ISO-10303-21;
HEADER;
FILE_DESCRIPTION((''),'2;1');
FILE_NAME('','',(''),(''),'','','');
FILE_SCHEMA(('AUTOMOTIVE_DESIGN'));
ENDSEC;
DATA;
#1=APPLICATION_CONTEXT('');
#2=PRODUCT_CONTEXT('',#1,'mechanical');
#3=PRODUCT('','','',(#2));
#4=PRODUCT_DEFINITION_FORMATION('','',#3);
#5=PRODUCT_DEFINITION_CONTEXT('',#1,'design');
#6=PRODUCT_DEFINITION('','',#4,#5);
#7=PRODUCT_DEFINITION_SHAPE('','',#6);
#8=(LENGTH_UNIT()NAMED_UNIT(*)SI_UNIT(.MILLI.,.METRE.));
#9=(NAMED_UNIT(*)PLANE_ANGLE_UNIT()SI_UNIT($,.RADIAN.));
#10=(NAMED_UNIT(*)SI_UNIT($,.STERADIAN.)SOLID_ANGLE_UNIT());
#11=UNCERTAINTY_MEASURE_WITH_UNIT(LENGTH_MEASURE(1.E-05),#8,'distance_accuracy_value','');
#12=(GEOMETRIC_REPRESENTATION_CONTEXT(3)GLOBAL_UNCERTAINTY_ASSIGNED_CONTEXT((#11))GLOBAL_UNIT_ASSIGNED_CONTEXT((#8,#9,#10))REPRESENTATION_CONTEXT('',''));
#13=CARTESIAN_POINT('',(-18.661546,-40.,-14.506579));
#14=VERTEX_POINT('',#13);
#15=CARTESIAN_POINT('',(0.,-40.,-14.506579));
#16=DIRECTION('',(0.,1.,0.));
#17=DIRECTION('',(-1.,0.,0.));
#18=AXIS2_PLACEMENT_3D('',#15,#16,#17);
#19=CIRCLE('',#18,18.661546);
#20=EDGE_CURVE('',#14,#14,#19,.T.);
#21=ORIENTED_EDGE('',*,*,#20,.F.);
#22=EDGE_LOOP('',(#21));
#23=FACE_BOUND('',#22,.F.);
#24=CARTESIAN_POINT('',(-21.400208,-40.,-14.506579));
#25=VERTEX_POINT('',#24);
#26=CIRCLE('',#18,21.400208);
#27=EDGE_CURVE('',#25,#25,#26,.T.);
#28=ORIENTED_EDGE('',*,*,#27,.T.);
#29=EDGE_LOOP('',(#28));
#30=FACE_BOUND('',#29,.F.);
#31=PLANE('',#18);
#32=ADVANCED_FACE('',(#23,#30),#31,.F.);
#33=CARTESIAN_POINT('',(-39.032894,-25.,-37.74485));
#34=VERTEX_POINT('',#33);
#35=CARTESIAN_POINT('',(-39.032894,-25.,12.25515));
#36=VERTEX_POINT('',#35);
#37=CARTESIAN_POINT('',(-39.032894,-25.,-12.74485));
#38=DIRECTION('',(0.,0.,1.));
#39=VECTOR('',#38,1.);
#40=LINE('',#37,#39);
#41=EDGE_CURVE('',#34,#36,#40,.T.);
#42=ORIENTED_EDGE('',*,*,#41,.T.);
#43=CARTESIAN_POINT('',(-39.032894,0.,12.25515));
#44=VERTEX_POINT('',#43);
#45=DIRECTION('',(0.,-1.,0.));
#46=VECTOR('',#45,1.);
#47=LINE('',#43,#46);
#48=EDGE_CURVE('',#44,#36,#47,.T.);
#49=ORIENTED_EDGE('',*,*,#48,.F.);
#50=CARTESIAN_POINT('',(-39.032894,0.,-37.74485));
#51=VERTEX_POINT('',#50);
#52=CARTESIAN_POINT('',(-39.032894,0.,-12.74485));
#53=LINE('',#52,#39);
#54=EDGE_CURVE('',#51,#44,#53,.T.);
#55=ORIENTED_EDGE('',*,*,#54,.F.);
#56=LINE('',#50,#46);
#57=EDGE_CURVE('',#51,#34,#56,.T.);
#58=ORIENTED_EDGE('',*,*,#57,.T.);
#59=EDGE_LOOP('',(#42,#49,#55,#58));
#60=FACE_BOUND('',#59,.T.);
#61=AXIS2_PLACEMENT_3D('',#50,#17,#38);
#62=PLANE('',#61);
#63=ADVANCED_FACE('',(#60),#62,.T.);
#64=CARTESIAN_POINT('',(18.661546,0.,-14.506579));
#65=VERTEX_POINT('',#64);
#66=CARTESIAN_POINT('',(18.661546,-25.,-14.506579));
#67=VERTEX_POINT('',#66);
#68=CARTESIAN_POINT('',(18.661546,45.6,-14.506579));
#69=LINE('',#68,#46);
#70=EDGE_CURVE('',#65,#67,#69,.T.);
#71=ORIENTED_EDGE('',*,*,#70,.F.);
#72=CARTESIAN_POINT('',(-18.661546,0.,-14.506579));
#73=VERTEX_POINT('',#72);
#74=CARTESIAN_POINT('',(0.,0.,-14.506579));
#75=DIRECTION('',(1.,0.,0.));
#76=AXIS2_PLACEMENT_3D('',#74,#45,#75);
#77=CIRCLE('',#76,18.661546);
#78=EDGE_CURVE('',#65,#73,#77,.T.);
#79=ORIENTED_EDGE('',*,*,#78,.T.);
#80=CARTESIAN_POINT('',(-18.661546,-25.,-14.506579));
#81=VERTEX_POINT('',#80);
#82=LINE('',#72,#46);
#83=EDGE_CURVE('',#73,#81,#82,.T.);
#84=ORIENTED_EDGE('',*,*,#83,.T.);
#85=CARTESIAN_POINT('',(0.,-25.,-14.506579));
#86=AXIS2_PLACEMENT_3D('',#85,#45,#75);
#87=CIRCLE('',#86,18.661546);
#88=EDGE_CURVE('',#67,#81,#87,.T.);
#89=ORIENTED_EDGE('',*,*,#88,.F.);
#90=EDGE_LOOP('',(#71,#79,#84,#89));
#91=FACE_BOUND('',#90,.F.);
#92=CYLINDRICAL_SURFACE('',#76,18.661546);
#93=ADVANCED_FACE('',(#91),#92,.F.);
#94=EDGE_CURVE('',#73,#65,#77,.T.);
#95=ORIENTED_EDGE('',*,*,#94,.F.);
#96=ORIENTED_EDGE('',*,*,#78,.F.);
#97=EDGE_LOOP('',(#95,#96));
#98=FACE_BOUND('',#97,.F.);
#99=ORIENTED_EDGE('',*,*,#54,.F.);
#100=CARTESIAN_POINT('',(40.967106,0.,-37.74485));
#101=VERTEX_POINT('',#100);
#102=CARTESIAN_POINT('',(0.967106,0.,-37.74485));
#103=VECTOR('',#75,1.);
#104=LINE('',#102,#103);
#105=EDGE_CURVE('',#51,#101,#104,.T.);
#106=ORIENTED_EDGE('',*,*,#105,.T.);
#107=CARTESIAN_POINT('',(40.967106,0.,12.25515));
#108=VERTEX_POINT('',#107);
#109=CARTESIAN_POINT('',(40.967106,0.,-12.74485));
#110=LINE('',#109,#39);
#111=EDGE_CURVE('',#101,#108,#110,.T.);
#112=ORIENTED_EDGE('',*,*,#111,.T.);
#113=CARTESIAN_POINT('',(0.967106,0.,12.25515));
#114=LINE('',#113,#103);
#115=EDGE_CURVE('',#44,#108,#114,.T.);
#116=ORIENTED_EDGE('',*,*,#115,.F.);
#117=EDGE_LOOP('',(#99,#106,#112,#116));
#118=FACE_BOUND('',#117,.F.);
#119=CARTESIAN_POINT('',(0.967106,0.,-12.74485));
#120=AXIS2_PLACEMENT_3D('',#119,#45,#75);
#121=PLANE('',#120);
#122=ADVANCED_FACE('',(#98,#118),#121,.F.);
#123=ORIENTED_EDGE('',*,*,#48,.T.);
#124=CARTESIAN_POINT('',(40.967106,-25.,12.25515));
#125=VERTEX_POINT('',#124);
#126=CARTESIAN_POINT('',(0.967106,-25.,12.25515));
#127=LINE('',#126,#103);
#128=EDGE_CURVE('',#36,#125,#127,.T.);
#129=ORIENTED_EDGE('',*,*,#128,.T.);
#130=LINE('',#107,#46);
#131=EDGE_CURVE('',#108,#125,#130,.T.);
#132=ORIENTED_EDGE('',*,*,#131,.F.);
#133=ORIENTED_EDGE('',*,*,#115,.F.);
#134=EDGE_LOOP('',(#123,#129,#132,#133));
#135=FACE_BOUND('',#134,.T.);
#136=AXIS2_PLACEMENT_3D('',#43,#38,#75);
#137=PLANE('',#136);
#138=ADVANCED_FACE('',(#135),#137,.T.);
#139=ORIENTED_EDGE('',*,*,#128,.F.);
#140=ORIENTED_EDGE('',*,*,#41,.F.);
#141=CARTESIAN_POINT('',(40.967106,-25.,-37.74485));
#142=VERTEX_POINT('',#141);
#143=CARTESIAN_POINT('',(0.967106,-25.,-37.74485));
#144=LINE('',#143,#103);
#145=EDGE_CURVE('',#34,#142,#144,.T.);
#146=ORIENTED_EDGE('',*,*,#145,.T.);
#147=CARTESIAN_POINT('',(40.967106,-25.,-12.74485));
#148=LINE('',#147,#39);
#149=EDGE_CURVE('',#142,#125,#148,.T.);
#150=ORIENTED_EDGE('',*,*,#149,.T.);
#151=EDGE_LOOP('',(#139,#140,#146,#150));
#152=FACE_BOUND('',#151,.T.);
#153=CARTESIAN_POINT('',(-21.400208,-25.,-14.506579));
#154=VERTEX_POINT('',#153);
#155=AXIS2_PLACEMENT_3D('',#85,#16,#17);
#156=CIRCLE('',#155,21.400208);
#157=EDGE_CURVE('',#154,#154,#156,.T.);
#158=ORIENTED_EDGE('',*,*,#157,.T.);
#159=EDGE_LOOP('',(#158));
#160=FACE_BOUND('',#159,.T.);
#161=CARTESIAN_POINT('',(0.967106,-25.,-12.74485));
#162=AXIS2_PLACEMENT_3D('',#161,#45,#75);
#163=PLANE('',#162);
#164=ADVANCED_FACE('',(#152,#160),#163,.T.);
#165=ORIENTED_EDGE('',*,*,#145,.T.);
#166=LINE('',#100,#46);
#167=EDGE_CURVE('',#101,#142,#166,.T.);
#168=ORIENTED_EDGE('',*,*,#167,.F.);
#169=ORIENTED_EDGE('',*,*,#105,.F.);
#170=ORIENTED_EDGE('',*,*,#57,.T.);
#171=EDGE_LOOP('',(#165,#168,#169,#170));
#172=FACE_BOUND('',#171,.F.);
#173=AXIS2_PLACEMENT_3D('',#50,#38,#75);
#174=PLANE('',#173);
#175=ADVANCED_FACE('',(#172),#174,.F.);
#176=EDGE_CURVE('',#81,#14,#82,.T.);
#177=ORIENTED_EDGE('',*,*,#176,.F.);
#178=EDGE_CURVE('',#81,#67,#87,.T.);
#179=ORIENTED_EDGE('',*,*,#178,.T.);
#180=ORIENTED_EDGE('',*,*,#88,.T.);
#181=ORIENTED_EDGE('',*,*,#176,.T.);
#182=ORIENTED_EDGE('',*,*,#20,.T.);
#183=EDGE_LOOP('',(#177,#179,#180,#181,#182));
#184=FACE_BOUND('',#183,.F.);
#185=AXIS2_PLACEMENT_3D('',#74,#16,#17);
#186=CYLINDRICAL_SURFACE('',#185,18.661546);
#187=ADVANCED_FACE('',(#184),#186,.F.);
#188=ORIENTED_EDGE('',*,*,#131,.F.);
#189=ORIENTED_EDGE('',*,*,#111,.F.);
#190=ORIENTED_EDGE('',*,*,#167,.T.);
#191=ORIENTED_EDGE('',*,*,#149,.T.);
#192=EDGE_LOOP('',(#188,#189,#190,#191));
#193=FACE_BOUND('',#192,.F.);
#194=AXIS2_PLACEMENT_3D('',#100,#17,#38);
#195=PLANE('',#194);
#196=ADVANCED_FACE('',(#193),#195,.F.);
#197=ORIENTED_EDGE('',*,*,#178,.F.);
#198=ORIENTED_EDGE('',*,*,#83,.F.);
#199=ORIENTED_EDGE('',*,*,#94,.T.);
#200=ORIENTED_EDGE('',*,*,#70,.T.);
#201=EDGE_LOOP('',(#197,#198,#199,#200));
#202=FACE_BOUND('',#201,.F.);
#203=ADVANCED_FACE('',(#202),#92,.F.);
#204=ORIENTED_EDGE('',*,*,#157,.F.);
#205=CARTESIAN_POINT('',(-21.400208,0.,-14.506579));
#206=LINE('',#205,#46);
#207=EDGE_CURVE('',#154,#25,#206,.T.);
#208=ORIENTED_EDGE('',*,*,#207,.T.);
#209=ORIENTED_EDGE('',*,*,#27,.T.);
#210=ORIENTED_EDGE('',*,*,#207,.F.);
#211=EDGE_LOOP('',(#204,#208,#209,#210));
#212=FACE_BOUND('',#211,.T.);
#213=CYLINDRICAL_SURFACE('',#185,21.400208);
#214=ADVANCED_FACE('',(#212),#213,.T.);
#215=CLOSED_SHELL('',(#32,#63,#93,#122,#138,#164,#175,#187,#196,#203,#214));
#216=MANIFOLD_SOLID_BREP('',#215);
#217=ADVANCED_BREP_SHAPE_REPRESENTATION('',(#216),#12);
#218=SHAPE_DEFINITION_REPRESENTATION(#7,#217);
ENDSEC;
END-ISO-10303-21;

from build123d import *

# Parameters (mm, degrees)
F0_W     = 80
F0_H     = 50
F1_DEPTH = 25
F2_R     = 18.6615462825
F3_DEPTH = 45.6
F4_R     = 21.4002075556
F4_R_2   = 18.6615462825
F5_DEPTH = 40


with BuildPart() as f1:
    # F0 (on Front) → F1 (new body)
    with BuildSketch(Plane.XZ):
        with Locations((0.9671058506, -12.7448502543)):
            Rectangle(F0_W, F0_H)
    extrude(amount=F1_DEPTH)

    # F2 (on Front) → F3 (cut, symmetric)
    with BuildSketch(Plane.XZ):
        with Locations((0, -14.5065793768)):
            Circle(F2_R)
    extrude(amount=F3_DEPTH, both=True, mode=Mode.SUBTRACT)

    # F4 (on face) → F5 (join)
    with BuildSketch(Plane(origin=(0, 0, 0), x_dir=(-1, 0, 0), z_dir=(0, 1, 0))):
        with Locations((0, -14.5065793768)):
            Circle(F4_R)
        with Locations((0, -14.5065793768)):
            Circle(F4_R_2, mode=Mode.SUBTRACT)
    extrude(amount=-F5_DEPTH)


solid = f1.part
